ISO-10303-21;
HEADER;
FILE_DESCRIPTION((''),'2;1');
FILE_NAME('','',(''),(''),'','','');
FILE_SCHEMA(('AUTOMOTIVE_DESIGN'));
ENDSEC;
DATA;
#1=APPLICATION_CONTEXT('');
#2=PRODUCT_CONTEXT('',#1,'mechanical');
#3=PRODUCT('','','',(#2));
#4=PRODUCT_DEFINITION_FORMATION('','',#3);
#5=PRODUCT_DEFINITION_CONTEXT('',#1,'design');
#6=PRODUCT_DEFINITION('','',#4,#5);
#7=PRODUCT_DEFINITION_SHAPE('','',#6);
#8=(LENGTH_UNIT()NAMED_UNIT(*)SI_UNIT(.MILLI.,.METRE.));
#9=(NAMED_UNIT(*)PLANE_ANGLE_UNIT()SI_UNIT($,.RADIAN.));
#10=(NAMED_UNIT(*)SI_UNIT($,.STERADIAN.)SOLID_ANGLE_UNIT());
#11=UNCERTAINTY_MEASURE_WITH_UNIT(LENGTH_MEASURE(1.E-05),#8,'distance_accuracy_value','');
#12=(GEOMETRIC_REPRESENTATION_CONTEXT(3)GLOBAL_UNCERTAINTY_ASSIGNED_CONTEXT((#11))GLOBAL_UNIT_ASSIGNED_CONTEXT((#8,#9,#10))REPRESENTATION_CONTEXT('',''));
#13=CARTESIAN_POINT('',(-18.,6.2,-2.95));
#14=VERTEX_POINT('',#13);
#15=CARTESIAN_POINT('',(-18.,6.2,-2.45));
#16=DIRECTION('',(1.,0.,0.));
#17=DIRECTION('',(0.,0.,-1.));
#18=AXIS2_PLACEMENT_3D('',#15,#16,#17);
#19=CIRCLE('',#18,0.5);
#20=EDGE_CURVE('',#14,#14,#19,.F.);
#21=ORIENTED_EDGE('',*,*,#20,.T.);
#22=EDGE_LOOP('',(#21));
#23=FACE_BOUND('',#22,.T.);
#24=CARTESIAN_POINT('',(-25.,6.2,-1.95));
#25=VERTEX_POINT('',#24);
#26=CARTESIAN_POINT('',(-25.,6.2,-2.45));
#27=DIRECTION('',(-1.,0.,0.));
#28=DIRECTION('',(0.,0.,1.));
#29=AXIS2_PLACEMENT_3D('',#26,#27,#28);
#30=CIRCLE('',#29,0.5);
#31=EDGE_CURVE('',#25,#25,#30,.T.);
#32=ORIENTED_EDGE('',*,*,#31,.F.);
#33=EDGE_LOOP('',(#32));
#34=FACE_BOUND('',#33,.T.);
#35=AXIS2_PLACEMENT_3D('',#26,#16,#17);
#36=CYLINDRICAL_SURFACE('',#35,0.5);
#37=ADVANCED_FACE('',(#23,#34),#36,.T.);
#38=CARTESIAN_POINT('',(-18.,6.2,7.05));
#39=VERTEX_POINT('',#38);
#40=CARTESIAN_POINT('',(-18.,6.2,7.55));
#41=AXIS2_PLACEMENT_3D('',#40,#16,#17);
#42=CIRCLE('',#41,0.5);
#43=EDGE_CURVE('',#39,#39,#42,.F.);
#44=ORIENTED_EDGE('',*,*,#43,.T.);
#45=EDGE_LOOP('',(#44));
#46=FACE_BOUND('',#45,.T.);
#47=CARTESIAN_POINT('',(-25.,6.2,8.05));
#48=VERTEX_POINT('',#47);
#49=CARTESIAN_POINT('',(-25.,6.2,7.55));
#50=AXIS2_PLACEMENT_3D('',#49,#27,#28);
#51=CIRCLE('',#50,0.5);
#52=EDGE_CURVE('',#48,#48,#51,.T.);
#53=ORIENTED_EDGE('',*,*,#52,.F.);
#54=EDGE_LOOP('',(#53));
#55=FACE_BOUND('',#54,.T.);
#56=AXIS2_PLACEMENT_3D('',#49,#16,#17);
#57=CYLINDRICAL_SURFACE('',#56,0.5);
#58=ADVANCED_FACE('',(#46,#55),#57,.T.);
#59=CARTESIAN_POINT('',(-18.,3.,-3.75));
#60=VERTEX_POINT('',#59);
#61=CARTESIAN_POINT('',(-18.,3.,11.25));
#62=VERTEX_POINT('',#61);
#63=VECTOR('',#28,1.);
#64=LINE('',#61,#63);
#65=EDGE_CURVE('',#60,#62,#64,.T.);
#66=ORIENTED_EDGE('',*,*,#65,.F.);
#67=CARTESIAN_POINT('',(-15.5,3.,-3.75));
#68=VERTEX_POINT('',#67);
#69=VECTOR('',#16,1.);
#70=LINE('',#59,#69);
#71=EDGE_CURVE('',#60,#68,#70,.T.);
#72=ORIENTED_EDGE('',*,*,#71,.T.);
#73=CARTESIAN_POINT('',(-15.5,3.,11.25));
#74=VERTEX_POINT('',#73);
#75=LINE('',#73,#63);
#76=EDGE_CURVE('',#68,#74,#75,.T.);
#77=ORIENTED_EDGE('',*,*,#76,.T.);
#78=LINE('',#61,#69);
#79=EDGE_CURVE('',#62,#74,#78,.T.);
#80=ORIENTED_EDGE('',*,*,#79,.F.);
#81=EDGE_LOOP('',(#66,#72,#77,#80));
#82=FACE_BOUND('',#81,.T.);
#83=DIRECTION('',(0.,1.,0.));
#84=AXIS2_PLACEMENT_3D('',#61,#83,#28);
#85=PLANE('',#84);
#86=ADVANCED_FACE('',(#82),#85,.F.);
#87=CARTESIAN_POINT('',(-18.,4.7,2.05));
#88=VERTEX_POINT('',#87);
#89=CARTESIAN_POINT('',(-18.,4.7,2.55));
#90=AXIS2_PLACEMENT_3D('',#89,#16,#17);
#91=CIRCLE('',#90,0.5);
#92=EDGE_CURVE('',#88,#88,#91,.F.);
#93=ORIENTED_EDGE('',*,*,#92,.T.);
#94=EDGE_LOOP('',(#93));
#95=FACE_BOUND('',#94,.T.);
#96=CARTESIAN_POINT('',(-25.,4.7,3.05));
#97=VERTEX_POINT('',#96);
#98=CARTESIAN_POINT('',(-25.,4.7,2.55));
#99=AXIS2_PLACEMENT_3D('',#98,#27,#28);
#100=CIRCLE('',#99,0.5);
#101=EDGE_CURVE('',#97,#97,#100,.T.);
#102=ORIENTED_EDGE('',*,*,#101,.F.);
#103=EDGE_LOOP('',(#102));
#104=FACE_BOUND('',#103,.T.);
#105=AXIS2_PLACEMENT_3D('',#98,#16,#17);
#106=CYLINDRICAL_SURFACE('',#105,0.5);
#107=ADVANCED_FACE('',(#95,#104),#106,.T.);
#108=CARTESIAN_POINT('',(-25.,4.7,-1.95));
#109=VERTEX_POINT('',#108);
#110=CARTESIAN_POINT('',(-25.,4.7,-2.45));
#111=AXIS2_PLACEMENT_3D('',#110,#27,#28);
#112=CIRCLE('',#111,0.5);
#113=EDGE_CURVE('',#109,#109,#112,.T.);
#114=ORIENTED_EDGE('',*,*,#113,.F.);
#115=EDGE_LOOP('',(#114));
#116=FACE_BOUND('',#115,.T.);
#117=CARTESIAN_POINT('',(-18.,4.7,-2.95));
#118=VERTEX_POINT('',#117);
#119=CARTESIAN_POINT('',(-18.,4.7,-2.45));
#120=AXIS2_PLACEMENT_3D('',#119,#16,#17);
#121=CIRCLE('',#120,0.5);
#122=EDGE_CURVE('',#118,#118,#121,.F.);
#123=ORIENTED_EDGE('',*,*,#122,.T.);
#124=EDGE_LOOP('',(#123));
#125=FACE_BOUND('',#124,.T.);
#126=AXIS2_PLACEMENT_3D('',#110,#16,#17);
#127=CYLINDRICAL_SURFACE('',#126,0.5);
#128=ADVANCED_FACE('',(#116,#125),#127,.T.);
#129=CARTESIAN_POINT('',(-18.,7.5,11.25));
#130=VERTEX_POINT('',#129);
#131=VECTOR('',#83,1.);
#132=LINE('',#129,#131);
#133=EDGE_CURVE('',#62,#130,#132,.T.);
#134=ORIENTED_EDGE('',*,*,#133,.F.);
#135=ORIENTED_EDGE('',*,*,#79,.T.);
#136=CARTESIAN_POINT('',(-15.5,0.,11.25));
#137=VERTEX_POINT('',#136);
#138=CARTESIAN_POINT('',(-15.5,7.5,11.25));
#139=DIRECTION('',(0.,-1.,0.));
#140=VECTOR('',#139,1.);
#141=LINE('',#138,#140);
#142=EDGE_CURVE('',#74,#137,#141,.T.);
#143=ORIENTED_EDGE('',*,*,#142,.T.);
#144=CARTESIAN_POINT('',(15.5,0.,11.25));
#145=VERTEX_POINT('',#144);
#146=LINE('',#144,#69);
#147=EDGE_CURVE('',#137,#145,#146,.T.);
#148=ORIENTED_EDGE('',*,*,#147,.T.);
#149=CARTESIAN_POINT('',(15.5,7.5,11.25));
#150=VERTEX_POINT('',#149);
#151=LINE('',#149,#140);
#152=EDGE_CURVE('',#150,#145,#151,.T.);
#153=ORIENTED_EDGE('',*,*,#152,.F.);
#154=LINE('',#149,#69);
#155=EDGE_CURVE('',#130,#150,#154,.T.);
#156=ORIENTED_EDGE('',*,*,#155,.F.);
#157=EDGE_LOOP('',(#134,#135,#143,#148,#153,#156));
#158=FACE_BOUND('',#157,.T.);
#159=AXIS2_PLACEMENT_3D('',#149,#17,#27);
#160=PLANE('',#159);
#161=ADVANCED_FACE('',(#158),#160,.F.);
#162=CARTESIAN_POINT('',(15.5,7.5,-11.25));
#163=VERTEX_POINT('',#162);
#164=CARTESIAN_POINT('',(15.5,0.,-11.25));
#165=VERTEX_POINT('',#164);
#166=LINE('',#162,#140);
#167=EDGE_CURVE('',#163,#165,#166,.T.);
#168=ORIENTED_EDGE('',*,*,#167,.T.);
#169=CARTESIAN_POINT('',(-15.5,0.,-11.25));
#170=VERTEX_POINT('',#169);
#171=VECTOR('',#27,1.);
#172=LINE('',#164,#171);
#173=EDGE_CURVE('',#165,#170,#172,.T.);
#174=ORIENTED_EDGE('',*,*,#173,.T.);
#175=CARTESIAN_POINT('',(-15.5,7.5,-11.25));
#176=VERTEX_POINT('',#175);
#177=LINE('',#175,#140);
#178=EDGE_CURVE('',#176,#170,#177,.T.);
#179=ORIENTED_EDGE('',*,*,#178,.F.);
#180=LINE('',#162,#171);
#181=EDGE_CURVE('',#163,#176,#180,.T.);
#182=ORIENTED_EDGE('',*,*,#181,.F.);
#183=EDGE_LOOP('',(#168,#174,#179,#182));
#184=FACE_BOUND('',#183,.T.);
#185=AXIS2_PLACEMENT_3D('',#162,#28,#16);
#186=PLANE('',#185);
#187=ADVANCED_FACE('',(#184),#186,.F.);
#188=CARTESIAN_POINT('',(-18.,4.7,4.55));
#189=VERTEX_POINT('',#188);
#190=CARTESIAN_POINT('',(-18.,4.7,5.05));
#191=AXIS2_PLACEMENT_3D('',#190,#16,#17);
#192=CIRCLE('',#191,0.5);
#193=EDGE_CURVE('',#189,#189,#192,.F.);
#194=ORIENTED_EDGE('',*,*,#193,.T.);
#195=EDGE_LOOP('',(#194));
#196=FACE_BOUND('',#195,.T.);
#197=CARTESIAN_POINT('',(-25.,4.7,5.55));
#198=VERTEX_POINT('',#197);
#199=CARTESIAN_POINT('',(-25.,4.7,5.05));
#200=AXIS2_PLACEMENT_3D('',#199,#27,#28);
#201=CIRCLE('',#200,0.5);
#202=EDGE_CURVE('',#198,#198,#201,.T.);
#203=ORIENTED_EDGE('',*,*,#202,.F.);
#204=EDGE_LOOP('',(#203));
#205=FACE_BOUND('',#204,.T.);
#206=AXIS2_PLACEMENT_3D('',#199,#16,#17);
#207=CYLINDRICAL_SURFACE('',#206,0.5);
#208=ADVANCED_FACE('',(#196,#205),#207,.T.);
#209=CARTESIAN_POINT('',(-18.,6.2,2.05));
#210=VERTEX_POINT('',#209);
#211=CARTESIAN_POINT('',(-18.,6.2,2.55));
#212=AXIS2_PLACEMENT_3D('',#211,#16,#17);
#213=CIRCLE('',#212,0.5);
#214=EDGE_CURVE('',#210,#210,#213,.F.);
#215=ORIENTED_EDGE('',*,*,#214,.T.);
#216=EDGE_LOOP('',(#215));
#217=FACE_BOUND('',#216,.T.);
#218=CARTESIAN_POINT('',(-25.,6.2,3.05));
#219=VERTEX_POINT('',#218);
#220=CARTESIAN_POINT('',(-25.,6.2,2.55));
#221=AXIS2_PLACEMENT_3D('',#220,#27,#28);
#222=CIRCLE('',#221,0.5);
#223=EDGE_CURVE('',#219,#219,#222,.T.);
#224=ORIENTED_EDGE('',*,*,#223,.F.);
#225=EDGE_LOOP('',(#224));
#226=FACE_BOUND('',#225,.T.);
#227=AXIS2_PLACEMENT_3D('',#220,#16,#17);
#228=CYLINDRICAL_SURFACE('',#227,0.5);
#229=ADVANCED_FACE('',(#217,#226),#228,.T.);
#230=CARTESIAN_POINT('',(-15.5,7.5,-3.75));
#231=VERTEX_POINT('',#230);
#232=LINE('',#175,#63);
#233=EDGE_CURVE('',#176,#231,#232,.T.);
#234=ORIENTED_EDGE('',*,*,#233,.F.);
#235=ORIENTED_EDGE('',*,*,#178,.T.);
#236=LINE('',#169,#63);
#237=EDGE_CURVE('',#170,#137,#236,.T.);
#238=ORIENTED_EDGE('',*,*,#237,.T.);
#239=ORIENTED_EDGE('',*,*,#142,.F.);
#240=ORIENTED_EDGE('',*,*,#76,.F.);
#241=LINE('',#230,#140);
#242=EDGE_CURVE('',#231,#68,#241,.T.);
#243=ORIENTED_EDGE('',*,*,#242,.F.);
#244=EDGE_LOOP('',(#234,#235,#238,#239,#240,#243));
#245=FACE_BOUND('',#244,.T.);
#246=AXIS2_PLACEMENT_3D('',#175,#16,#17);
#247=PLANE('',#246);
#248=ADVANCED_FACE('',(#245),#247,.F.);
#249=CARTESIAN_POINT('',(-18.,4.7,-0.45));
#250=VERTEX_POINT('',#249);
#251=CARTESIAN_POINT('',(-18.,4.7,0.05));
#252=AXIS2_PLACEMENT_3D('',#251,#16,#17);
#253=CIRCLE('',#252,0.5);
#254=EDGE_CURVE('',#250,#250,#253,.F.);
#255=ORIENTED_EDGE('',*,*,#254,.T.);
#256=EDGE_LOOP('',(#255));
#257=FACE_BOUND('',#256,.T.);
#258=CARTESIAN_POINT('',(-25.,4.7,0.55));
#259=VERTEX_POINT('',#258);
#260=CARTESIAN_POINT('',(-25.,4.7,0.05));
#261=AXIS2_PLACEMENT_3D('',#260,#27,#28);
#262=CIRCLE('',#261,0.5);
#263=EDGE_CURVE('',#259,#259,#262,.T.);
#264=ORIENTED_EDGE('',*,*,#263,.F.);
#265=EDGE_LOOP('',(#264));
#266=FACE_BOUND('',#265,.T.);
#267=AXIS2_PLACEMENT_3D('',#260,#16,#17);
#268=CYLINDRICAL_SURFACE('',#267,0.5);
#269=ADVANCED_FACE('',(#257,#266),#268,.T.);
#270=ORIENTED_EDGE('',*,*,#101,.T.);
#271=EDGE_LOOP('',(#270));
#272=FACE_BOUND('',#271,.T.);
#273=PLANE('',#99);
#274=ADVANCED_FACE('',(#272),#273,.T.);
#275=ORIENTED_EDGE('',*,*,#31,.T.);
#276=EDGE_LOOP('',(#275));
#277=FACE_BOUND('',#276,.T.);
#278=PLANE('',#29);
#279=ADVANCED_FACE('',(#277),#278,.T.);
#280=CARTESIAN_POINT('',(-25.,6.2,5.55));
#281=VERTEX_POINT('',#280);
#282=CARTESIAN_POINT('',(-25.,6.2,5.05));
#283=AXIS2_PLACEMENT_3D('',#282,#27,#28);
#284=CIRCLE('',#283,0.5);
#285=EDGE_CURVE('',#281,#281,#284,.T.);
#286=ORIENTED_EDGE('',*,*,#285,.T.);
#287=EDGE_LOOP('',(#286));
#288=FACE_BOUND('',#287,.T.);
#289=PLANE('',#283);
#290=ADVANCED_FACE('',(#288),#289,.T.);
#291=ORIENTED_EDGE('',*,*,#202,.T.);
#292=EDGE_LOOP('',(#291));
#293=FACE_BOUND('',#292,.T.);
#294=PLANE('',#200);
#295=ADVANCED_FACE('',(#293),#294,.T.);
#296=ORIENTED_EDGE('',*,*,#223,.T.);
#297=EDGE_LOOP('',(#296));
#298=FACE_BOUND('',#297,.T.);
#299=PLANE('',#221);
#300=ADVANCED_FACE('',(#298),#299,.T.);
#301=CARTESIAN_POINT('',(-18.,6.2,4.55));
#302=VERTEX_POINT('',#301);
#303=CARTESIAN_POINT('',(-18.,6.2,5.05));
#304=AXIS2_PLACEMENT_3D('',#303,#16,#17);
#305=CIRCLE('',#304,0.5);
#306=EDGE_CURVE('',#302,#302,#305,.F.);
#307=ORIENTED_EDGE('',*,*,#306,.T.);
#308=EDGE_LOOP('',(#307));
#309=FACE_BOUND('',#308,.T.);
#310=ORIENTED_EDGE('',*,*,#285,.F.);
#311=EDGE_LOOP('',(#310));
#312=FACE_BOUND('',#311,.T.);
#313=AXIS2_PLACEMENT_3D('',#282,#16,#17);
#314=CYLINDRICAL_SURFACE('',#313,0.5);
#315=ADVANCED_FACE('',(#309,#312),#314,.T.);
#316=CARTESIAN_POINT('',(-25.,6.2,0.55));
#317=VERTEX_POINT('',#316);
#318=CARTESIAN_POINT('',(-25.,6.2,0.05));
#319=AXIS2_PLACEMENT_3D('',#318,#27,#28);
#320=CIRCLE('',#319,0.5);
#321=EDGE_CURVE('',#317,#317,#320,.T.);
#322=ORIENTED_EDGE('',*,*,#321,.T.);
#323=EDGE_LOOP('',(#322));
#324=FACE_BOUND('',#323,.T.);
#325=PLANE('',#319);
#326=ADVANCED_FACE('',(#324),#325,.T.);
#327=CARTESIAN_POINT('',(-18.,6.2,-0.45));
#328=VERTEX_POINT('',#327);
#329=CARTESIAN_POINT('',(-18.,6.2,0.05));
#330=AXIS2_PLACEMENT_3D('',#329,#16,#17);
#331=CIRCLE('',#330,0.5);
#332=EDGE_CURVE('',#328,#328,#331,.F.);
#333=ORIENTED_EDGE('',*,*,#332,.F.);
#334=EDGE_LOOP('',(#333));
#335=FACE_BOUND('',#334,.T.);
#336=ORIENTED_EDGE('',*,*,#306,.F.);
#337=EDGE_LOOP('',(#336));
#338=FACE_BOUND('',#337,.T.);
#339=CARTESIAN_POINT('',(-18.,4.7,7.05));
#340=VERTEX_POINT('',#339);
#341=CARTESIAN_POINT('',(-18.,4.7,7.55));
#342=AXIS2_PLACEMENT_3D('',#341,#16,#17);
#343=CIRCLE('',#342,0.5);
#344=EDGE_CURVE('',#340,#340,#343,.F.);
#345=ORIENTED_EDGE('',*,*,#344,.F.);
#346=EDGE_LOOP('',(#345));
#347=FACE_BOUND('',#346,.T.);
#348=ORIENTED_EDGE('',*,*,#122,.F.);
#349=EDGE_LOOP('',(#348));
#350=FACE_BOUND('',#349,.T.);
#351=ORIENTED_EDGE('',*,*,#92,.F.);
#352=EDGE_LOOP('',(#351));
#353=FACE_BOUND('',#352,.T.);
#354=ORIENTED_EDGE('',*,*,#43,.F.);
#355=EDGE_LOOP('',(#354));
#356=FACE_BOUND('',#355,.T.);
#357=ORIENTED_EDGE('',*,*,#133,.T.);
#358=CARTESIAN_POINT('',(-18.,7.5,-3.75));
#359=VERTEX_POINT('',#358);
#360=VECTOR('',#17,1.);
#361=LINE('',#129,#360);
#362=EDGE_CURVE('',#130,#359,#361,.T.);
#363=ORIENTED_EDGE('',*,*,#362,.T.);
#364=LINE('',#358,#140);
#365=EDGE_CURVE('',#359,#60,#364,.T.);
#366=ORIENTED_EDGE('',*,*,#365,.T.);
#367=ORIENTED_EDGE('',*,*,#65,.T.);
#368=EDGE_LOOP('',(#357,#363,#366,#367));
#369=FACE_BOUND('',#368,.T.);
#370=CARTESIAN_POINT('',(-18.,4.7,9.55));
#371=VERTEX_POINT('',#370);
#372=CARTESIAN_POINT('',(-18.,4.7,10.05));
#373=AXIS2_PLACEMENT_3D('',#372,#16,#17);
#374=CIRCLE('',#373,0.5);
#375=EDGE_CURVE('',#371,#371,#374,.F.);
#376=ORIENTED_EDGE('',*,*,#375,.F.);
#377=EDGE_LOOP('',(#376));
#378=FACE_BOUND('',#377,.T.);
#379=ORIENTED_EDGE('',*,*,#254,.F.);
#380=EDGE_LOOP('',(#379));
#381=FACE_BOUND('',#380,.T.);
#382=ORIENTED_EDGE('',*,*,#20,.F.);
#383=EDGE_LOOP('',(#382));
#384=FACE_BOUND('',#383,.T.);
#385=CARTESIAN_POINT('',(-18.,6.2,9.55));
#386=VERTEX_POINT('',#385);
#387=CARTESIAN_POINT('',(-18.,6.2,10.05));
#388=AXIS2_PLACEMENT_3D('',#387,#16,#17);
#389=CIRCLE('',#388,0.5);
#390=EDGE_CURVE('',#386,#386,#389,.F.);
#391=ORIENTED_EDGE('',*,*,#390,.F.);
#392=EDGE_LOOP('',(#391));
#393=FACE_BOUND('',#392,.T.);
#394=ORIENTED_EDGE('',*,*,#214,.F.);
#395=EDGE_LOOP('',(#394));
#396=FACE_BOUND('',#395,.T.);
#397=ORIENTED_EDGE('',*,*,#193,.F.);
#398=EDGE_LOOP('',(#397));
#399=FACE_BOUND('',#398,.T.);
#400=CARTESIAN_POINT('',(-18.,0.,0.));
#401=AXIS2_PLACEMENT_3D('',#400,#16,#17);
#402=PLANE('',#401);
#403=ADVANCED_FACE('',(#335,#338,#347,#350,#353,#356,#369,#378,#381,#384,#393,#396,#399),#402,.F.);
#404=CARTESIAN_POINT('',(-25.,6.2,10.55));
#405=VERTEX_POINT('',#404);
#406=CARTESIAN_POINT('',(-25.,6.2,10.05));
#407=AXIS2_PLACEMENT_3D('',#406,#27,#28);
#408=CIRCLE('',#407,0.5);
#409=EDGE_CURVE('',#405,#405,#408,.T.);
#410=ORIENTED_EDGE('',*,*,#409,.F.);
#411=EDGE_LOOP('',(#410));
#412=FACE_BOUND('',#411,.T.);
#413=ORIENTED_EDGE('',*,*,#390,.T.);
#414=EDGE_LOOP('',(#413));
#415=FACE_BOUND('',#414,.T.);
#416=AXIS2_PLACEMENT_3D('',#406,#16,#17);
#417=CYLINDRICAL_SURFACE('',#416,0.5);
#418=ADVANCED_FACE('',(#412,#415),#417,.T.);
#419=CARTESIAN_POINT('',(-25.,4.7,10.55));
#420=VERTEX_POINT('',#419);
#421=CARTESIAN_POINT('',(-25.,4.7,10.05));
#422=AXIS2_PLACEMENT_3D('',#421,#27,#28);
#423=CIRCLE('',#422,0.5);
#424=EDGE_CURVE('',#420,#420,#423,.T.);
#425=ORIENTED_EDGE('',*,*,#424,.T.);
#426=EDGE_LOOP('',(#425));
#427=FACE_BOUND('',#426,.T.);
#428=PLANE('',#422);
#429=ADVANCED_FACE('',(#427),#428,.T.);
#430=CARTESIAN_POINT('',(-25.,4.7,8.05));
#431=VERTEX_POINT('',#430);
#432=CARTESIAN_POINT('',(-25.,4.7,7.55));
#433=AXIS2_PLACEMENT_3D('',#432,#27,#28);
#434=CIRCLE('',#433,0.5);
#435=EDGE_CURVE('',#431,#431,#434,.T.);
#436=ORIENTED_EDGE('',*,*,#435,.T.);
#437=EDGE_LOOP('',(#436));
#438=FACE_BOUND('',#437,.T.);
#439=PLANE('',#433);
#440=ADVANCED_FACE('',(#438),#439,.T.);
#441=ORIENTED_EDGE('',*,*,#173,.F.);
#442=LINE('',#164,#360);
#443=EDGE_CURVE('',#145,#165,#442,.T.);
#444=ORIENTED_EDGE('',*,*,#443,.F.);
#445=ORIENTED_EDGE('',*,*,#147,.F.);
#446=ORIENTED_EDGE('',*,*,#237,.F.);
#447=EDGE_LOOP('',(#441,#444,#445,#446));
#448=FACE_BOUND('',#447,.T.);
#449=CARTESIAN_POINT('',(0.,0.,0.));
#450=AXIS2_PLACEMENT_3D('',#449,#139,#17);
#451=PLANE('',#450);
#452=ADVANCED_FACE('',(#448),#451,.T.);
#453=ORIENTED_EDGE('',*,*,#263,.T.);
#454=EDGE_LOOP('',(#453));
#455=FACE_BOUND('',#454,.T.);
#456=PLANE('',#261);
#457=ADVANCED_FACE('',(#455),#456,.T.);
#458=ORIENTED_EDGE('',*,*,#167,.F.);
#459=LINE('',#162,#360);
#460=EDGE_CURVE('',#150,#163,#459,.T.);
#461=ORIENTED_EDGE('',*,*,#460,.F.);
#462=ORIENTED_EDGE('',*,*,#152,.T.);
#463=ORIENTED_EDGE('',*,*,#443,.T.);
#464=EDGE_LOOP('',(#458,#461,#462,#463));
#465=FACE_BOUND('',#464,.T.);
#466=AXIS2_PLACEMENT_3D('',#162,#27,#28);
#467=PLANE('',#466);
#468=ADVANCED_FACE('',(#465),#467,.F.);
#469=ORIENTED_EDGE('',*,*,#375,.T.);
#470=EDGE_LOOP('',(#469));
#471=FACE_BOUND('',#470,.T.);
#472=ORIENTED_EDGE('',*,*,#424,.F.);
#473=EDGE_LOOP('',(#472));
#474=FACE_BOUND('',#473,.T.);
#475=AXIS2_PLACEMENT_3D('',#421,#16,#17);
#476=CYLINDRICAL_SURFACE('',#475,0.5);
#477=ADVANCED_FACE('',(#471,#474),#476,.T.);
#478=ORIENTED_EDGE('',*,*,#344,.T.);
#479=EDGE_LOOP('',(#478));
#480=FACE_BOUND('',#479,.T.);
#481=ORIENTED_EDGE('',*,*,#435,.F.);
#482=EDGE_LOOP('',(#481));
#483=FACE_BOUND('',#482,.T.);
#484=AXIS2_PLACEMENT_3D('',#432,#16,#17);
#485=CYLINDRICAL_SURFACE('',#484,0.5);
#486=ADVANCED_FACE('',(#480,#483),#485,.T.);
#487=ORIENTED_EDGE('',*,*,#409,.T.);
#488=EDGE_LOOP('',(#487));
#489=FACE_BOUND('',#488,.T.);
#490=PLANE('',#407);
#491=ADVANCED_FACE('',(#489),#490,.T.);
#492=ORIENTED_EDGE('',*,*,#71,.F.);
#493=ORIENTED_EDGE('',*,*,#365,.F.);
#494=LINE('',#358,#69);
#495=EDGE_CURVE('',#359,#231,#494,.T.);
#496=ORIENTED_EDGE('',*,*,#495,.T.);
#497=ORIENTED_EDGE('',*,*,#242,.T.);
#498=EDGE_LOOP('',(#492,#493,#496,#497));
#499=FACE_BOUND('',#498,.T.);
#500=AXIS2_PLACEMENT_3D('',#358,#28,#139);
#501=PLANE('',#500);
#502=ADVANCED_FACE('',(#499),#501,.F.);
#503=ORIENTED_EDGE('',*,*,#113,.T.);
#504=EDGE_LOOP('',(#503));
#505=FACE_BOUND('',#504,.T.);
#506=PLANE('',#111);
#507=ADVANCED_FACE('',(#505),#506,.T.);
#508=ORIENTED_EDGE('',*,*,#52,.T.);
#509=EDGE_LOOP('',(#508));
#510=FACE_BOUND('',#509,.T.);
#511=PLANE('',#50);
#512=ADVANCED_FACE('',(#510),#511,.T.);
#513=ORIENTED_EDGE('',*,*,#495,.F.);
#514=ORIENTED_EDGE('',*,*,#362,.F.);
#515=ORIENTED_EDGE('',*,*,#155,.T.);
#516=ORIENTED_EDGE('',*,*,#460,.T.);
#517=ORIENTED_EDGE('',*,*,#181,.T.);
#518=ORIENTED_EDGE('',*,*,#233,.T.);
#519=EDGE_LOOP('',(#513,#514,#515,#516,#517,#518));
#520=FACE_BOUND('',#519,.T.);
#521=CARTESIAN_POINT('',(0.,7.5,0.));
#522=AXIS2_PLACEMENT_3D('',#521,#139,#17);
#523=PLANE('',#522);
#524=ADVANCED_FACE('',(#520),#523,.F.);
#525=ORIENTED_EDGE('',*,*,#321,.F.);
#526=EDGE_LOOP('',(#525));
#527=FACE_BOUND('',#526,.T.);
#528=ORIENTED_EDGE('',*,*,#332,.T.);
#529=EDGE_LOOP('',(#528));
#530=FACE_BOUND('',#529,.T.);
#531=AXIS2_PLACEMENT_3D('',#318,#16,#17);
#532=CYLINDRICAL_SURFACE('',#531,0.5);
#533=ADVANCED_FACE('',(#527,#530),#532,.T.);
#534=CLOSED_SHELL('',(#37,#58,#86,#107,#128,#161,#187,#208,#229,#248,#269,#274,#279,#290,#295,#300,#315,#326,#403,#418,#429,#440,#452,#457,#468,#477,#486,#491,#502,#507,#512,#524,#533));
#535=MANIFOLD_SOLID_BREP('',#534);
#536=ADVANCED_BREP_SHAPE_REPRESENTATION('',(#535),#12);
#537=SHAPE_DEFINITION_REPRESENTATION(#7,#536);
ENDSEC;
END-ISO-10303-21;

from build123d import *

# Parameters (mm, degrees)
SKETCH1_W           = 31
SKETCH1_H           = 22.5
BOSS_EXTRUDE1_DEPTH = 7.5
SKETCH2_W           = 15
SKETCH2_H           = 4.5
BOSS_EXTRUDE2_DEPTH = 2.5
SKETCH3_R           = 0.5
BOSS_EXTRUDE3_DEPTH = 7


with BuildPart() as part:
    # Sketch1 → Boss-Extrude1 (new body)
    with BuildSketch(Plane(origin=(0, 0, 0), x_dir=(1, 0, 0), z_dir=(0, 1, 0))):
        Rectangle(SKETCH1_W, SKETCH1_H)
    extrude(amount=BOSS_EXTRUDE1_DEPTH)

    # Sketch2 → Boss-Extrude2 (add)
    with BuildSketch(Plane.ZY.offset(15.5)):
        with Locations((3.75, 5.25)):
            Rectangle(SKETCH2_W, SKETCH2_H)
    extrude(amount=BOSS_EXTRUDE2_DEPTH)

    # Sketch3 → Boss-Extrude3 (add)
    with BuildSketch(Plane.ZY.offset(18)):
        with Locations(Location((-2.45, 6.2, 0), (0, 0, 180))):
            Circle(SKETCH3_R)
        with Locations(Location((0.05, 6.2, 0), (0, 0, 180))):
            Circle(SKETCH3_R)
        with Locations(Location((2.55, 6.2, 0), (0, 0, 180))):
            Circle(SKETCH3_R)
        with Locations(Location((5.05, 6.2, 0), (0, 0, 180))):
            Circle(SKETCH3_R)
        with Locations(Location((7.55, 6.2, 0), (0, 0, 180))):
            Circle(SKETCH3_R)
        with Locations(Location((10.05, 6.2, 0), (0, 0, 180))):
            Circle(SKETCH3_R)
        with Locations(Location((-2.45, 4.7, 0), (0, 0, 180))):
            Circle(SKETCH3_R)
        with Locations(Location((0.05, 4.7, 0), (0, 0, 180))):
            Circle(SKETCH3_R)
        with Locations(Location((2.55, 4.7, 0), (0, 0, 180))):
            Circle(SKETCH3_R)
        with Locations(Location((5.05, 4.7, 0), (0, 0, 180))):
            Circle(SKETCH3_R)
        with Locations(Location((7.55, 4.7, 0), (0, 0, 180))):
            Circle(SKETCH3_R)
        with Locations(Location((10.05, 4.7, 0), (0, 0, 180))):
            Circle(SKETCH3_R)
    extrude(amount=BOSS_EXTRUDE3_DEPTH)


solid = part.part
